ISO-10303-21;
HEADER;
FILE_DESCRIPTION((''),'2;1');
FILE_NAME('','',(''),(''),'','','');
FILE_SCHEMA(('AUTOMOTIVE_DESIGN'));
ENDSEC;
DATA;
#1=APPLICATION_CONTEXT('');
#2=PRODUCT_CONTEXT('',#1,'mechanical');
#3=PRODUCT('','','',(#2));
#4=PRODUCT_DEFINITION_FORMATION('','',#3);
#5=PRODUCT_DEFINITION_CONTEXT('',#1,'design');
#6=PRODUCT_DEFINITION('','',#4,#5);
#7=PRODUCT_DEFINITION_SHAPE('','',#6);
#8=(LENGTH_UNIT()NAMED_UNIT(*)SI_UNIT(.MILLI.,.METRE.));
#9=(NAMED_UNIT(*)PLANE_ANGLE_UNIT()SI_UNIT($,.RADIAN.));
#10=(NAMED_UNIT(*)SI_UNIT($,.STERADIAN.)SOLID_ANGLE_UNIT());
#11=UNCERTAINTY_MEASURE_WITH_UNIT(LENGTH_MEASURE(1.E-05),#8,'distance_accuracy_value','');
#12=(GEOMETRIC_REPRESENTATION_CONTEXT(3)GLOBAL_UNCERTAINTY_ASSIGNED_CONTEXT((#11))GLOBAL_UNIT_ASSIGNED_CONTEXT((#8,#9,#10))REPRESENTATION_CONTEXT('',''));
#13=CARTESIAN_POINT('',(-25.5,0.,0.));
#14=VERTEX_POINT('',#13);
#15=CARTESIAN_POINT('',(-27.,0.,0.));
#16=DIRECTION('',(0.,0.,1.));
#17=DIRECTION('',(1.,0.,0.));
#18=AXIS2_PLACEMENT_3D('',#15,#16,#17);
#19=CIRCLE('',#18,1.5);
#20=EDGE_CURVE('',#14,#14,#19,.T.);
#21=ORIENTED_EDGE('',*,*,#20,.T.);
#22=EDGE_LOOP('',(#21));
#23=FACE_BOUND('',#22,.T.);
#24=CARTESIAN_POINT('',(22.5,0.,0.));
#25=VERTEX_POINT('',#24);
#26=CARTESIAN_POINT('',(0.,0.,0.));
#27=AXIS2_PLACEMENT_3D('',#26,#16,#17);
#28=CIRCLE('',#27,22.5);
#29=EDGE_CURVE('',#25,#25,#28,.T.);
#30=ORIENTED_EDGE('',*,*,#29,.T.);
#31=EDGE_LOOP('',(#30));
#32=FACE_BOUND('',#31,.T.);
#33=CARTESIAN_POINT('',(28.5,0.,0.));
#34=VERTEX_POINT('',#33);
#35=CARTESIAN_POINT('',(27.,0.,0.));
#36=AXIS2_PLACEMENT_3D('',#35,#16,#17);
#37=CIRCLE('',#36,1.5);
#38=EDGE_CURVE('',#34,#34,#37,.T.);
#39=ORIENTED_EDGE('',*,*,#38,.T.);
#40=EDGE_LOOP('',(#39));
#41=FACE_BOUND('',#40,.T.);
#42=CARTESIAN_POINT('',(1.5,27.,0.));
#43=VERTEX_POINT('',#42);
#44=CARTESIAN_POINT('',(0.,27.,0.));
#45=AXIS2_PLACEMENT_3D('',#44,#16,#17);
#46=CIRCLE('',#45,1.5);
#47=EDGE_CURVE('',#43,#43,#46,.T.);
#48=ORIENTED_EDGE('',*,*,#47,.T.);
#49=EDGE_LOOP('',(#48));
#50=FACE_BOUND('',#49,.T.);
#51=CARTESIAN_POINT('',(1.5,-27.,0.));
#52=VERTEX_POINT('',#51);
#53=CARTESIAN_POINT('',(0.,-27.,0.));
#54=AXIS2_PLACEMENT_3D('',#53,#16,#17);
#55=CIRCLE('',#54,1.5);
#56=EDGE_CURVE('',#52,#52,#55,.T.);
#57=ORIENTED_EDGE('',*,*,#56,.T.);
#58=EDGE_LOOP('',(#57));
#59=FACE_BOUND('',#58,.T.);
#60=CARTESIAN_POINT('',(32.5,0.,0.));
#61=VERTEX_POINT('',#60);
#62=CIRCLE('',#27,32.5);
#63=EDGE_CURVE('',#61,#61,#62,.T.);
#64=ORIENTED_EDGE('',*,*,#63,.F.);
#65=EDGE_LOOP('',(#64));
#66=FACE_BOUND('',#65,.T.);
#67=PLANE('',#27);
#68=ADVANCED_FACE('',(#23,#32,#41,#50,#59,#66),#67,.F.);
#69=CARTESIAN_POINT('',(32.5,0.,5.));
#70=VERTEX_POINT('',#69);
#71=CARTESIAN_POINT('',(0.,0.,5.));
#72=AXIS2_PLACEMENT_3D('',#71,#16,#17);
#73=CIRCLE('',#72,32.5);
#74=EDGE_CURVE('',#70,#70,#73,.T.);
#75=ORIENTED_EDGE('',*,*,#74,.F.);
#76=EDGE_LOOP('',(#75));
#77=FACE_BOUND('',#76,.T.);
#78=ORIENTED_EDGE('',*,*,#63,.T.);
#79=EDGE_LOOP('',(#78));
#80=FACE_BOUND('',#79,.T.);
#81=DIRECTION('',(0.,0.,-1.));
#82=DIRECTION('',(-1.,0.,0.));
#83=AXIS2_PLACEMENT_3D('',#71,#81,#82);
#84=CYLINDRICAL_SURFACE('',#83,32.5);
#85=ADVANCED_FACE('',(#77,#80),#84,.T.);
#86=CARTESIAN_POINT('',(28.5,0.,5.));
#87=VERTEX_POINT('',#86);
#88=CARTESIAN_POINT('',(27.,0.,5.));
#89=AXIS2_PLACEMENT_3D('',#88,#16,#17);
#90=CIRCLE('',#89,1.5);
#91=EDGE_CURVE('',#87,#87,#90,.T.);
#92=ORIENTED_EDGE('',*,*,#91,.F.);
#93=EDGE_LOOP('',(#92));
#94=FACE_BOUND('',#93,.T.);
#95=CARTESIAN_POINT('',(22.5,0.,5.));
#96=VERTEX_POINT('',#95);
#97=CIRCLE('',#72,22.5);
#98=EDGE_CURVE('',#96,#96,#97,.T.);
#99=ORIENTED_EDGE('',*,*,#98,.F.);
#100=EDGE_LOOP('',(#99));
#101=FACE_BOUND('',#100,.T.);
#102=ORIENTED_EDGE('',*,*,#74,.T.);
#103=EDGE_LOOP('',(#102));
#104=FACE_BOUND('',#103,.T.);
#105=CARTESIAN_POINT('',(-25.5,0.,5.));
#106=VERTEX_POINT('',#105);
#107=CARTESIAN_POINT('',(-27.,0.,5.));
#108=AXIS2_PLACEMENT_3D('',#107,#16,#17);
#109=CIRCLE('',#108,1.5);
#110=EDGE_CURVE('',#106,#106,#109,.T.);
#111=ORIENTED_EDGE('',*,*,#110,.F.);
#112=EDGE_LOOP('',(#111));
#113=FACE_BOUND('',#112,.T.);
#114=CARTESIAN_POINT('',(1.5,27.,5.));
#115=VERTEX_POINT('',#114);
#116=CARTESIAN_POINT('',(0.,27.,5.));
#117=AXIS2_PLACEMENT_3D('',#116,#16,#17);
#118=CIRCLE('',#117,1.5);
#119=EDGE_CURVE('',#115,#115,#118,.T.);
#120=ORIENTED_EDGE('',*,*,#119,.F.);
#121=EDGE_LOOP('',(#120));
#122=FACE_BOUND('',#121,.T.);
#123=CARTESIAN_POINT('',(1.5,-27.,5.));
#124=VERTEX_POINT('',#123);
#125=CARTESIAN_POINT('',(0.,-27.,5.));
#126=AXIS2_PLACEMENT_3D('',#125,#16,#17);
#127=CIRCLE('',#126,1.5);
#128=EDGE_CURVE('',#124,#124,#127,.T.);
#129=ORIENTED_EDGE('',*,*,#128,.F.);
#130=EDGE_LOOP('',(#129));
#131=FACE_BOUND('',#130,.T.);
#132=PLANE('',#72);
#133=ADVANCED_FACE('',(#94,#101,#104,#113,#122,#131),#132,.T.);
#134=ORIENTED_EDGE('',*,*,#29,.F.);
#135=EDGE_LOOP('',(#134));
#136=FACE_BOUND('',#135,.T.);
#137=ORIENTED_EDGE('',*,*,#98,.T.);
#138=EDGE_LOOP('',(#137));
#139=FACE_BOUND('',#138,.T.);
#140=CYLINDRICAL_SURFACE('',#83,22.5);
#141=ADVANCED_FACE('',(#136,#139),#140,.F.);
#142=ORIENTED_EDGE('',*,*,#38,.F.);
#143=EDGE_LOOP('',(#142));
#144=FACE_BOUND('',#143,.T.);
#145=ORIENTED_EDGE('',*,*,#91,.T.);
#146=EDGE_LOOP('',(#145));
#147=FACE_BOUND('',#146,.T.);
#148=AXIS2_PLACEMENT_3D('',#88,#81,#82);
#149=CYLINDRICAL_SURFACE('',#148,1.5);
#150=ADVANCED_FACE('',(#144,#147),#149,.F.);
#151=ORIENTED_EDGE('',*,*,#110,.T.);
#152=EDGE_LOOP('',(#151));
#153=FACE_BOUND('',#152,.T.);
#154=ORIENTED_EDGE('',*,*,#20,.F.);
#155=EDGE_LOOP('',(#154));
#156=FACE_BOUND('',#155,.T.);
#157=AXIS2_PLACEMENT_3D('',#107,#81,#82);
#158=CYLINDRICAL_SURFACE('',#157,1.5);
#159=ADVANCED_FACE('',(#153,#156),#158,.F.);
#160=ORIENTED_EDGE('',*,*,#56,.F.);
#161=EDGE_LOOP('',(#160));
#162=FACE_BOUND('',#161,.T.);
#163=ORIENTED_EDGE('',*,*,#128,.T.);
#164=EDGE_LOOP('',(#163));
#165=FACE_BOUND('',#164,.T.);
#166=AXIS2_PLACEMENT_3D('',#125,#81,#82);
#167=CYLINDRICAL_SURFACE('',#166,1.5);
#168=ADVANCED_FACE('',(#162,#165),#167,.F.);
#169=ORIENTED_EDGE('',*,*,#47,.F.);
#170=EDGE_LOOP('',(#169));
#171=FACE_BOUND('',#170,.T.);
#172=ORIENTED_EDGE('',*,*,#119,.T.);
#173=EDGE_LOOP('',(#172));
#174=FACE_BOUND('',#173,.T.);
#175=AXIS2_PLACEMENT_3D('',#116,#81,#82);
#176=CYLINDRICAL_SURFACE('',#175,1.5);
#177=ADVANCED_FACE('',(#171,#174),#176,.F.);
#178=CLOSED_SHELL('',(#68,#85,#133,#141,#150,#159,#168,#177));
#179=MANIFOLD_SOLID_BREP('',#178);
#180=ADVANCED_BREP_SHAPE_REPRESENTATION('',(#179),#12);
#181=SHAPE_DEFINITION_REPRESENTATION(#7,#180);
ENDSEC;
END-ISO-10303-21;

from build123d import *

# Parameters (mm, degrees)
SKETCH1_R           = 32.5
SKETCH1_R_2         = 22.5
SKETCH1_R_3         = 1.5
BOSS_EXTRUDE1_DEPTH = 5


with BuildPart() as part:
    # Sketch1 → Boss-Extrude1 (new body)
    with BuildSketch(Plane.XY):
        Circle(SKETCH1_R)
        Circle(SKETCH1_R_2, mode=Mode.SUBTRACT)
        with Locations((27, 0)):
            Circle(SKETCH1_R_3, mode=Mode.SUBTRACT)
        with Locations((0, 27)):
            Circle(SKETCH1_R_3, mode=Mode.SUBTRACT)
        with Locations((0, -27)):
            Circle(SKETCH1_R_3, mode=Mode.SUBTRACT)
        with Locations((-27, 0)):
            Circle(SKETCH1_R_3, mode=Mode.SUBTRACT)
    extrude(amount=BOSS_EXTRUDE1_DEPTH)


solid = part.part
